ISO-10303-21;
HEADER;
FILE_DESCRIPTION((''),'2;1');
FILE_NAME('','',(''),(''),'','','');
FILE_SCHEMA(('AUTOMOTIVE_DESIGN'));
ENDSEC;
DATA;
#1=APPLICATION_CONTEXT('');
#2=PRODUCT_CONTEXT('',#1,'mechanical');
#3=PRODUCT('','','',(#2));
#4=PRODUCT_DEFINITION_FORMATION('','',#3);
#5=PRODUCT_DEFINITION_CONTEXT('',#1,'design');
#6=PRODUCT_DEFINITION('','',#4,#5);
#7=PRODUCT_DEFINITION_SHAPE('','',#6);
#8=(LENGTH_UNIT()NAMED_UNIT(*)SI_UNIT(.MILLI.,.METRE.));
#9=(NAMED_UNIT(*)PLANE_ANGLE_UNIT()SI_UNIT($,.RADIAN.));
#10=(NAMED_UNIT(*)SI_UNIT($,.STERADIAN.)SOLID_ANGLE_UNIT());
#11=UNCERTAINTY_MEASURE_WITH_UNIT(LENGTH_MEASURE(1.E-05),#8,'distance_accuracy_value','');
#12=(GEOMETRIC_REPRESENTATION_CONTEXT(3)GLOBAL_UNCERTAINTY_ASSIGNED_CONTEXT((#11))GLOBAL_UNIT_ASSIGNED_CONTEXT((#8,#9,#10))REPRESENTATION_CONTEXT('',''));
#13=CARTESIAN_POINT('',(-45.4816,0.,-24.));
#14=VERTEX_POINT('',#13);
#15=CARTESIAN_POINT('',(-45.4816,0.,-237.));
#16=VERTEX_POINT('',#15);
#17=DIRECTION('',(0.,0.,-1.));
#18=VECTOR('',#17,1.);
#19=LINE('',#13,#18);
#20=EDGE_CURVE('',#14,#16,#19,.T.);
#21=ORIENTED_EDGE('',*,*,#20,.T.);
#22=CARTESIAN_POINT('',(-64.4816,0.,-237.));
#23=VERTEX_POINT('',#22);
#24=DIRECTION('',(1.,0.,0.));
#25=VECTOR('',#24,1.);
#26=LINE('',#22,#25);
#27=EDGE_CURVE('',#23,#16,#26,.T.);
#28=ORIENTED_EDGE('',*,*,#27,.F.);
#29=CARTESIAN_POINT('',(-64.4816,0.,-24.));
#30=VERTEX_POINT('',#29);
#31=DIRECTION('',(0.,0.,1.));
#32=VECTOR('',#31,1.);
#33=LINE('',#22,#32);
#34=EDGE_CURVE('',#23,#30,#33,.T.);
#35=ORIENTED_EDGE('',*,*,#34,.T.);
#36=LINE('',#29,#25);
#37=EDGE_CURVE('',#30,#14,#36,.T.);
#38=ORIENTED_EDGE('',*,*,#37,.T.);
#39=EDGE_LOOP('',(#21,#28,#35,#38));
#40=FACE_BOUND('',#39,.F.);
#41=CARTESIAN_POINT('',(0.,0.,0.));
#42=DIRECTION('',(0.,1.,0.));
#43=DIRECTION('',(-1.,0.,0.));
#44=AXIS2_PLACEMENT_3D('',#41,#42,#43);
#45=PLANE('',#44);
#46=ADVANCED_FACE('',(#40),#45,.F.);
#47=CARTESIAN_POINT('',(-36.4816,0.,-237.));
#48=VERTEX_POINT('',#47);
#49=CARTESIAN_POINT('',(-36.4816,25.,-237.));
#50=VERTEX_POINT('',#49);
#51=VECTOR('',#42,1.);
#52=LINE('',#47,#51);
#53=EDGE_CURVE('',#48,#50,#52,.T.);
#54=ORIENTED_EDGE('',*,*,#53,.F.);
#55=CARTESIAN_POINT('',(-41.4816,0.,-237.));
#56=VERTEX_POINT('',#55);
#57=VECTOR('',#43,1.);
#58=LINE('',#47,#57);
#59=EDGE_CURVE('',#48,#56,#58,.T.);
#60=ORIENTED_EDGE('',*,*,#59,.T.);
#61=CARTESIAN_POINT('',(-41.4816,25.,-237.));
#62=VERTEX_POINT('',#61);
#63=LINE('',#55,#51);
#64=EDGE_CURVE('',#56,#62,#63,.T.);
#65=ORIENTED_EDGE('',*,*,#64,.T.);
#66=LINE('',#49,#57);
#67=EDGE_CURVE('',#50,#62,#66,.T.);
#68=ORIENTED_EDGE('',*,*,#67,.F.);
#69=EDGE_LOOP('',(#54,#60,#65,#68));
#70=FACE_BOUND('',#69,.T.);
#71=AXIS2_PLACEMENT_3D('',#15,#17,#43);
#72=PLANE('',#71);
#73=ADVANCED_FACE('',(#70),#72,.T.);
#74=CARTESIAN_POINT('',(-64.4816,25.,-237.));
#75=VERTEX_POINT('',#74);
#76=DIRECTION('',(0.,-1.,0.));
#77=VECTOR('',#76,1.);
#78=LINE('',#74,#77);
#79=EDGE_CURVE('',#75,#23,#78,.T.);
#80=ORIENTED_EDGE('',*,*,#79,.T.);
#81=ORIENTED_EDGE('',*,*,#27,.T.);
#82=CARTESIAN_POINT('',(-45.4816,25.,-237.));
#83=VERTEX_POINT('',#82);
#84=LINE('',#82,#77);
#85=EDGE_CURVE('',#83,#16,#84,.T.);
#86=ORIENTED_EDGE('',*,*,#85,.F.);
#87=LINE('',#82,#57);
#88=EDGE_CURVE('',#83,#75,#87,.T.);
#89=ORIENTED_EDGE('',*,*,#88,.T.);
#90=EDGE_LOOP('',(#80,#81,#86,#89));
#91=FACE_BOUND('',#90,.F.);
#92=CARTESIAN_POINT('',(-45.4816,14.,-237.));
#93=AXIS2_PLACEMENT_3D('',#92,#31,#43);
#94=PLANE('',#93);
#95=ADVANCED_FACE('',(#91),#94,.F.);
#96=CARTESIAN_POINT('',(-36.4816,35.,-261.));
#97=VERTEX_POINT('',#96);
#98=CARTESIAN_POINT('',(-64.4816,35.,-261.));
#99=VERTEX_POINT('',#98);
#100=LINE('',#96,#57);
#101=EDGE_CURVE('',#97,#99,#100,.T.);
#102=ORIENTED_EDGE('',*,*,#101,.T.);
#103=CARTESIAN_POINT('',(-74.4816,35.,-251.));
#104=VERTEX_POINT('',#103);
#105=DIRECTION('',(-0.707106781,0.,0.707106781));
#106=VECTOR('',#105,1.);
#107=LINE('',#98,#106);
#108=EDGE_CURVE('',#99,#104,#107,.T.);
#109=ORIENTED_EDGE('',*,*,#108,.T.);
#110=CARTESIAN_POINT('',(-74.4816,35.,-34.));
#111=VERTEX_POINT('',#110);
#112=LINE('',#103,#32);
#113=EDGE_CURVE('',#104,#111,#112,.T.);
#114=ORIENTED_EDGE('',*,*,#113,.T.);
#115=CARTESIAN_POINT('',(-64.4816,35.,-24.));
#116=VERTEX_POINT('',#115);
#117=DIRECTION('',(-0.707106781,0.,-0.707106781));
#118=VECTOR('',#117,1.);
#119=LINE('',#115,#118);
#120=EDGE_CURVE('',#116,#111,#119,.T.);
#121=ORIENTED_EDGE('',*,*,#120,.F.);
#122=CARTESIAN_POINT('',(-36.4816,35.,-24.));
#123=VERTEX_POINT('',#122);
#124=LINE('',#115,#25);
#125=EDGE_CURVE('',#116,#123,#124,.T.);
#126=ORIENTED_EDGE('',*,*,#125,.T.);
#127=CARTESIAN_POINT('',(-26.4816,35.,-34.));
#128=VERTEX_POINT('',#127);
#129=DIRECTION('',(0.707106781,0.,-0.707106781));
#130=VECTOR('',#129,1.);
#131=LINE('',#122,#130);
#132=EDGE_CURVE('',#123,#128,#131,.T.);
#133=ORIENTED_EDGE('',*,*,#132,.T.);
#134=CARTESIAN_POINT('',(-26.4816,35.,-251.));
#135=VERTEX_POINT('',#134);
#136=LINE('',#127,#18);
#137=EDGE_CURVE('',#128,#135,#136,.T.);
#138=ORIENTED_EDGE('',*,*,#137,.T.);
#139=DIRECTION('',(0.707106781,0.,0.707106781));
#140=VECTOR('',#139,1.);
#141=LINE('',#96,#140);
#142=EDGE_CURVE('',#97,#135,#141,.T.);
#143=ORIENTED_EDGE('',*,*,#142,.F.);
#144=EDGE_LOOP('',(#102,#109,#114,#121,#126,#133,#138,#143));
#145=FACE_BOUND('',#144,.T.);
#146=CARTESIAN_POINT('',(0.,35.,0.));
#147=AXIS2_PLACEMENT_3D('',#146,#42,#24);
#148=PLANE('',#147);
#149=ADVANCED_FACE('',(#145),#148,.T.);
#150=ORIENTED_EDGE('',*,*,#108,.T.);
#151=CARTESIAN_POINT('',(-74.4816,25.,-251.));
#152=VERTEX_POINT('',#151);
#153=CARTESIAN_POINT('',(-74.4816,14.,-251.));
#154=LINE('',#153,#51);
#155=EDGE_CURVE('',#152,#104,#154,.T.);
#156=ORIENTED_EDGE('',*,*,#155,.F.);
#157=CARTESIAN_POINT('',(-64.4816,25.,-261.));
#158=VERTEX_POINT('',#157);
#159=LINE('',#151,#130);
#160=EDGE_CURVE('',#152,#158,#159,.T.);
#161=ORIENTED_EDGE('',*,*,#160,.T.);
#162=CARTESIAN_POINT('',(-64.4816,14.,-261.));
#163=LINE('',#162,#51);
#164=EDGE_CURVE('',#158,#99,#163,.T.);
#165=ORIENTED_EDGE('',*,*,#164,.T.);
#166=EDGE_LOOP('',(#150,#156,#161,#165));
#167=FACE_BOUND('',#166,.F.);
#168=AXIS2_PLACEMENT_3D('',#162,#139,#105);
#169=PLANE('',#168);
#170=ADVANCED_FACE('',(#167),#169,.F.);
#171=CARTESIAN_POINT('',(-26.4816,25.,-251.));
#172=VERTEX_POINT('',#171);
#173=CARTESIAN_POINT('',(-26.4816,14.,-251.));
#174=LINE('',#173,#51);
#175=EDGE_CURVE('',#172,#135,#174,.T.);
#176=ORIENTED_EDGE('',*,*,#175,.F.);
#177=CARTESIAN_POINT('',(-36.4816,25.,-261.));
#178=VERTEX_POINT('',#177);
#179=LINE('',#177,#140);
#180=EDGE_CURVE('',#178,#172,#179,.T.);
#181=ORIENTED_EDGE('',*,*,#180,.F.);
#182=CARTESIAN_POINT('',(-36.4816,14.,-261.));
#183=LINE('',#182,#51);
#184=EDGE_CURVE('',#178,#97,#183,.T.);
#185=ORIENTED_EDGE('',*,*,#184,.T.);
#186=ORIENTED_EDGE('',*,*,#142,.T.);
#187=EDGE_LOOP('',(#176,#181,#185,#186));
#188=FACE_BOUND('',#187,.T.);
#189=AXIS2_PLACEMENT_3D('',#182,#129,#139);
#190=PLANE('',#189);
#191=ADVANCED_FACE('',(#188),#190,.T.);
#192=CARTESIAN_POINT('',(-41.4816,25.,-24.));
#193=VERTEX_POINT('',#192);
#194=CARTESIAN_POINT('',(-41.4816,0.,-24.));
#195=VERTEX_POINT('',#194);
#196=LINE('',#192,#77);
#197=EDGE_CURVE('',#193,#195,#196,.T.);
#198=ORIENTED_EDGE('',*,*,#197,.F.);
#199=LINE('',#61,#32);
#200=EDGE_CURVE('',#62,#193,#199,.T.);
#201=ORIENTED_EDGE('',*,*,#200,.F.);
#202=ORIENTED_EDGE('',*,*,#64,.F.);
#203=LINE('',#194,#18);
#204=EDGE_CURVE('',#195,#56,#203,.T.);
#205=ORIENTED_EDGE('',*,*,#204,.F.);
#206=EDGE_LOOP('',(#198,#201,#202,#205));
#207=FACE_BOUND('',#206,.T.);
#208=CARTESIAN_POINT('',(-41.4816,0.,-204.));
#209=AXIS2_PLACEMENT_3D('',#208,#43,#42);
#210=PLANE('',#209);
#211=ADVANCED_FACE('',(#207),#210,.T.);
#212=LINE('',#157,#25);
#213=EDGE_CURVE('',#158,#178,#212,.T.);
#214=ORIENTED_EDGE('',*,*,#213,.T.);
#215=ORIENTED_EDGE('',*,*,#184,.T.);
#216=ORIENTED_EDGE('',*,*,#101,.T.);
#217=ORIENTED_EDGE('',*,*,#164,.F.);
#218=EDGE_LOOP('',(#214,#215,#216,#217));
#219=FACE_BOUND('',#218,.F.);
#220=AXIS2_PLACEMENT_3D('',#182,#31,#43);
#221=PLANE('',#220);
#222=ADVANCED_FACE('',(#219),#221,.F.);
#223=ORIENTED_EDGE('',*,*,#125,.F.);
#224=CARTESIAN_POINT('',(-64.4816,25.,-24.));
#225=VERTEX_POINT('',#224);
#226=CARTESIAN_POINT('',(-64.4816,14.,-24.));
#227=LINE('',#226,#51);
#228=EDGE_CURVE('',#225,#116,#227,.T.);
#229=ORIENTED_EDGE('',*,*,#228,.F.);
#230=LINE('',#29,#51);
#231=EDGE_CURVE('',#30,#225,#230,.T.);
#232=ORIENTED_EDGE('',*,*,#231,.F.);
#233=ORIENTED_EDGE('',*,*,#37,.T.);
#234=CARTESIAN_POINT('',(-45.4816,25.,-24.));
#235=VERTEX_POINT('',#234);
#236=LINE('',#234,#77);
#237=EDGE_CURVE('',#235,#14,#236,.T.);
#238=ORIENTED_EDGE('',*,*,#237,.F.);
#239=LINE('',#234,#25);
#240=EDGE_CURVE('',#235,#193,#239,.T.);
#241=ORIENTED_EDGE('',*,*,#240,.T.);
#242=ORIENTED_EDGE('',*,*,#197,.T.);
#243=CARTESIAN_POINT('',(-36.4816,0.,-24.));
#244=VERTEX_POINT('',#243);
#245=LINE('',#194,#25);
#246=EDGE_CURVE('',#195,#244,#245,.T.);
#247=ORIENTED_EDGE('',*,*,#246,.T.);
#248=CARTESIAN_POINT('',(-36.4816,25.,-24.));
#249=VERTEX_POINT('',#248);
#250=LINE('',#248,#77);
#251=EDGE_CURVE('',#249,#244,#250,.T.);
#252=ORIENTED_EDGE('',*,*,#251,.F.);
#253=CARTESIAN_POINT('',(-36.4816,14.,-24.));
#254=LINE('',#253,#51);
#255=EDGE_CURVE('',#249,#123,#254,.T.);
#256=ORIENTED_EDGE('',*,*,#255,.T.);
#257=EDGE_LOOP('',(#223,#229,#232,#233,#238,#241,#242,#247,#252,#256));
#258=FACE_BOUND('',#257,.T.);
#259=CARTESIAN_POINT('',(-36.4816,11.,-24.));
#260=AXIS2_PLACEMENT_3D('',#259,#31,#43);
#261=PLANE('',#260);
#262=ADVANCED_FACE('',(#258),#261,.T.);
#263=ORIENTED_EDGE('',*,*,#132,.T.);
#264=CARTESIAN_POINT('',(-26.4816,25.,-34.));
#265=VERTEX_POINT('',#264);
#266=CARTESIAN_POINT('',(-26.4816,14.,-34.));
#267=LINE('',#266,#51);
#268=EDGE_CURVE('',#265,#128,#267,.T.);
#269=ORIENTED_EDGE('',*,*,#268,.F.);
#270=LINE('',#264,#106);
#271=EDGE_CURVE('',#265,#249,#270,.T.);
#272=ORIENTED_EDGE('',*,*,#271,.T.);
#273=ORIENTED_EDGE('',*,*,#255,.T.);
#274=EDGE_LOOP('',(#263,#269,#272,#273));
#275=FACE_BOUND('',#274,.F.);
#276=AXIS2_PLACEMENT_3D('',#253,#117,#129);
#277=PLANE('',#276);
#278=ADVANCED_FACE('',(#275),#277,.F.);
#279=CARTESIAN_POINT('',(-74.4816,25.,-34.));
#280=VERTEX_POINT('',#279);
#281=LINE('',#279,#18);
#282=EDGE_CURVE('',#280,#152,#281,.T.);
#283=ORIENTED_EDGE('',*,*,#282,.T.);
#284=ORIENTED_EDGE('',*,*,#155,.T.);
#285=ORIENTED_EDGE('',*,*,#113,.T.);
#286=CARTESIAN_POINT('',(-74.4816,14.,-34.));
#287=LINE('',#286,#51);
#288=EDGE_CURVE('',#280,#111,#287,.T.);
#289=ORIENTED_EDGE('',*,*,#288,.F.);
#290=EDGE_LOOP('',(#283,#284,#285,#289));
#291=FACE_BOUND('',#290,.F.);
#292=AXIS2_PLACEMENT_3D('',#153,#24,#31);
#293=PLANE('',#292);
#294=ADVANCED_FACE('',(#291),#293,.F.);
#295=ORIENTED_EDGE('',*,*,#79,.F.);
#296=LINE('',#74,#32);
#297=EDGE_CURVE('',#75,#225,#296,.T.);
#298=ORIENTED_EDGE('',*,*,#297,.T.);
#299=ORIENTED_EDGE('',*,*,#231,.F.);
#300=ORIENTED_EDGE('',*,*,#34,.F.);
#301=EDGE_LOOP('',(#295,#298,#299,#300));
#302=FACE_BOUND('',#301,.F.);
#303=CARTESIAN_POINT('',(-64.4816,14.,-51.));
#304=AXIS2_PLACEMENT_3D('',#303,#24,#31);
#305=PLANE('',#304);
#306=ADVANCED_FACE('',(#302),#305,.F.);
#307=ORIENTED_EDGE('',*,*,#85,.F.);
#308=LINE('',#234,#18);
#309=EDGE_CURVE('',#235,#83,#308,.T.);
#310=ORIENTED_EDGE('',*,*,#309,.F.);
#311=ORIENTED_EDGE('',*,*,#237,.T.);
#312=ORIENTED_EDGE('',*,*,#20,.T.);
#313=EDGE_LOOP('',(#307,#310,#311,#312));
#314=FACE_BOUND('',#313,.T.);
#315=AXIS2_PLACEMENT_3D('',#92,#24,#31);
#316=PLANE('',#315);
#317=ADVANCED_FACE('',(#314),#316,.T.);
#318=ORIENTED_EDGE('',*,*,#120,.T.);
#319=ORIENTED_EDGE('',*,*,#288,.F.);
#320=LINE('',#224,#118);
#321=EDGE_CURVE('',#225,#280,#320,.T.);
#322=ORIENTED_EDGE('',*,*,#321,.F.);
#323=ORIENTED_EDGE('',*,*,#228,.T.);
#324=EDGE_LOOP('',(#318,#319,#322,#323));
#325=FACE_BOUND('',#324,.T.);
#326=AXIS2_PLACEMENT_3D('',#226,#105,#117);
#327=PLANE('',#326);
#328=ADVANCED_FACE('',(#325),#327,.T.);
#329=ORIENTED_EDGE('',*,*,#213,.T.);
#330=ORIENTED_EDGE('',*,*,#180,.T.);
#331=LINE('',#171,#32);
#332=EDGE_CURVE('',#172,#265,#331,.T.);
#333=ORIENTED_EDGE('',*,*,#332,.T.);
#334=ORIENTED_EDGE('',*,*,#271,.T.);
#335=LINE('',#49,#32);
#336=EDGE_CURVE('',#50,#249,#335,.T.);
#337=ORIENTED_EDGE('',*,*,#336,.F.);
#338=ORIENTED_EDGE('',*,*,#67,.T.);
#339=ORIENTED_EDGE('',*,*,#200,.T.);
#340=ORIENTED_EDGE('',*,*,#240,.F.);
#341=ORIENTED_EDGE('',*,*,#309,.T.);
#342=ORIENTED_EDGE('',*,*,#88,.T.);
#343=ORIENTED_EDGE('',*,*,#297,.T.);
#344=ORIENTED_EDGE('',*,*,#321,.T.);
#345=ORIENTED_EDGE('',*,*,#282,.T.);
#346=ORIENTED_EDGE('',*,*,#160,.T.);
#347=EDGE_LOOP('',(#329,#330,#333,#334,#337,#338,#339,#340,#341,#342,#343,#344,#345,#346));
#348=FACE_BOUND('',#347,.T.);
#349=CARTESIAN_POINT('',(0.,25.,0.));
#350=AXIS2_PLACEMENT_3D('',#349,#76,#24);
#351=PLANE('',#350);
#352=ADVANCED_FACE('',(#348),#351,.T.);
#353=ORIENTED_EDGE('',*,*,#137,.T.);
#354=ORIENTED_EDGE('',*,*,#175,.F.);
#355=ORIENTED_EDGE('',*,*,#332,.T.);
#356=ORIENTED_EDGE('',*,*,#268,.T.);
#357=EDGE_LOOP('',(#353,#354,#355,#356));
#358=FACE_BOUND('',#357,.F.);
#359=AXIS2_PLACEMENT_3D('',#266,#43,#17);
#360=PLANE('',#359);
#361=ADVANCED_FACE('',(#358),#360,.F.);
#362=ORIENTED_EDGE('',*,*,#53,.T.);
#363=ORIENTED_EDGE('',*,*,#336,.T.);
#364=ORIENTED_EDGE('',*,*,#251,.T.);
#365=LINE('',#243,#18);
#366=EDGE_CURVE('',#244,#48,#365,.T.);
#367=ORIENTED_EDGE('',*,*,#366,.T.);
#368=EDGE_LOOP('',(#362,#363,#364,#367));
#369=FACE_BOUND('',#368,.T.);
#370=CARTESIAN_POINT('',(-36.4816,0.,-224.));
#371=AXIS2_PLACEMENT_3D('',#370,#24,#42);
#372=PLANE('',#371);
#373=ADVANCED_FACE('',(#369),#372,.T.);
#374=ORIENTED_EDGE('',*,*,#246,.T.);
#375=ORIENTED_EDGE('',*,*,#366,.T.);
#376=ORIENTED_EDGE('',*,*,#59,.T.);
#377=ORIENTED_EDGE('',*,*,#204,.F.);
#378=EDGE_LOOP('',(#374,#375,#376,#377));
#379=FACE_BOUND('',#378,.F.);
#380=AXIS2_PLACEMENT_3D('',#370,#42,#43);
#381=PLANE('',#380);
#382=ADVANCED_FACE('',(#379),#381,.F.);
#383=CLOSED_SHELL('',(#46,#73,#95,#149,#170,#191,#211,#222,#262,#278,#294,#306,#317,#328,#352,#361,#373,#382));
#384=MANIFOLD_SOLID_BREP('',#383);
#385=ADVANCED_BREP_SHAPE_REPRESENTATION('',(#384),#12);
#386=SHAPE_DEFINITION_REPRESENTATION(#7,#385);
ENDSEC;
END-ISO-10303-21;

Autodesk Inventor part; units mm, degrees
ref_plane "YZ Plane" through (0, 0, 0) normal (1, 0, 0) x (0, 1, 0)
ref_plane "XZ Plane" through (0, 0, 0) normal (0, 1, 0) x (-1, 0, 0)
ref_plane "XY Plane" through (0, 0, 0) normal (0, 0, 1) x (1, 0, 0)
sketch "Sketch1" plane through (0, 0, 0) normal (0, 1, 0) x (-1, 0, 0)
  line L0 (45.4816, -24) -> (64.4816, -24)
  line L1 (64.4816, -224) -> (45.4816, -224)
  line L2 (64.4816, -24) -> (52.9072, -24)
  line L3 (45.4816, -51) -> (64.4816, -51)
  line L4 (64.4816, -50.2724) -> (64.4816, -24)
  line L5 (64.4816, -69) -> (45.4816, -69)
  line L6 (45.4816, -51) -> (45.4816, -24)
  line L7 (64.4816, -24) -> (64.4816, -51)
  line L8 (64.4816, -154) -> (45.4816, -154)
  line L9 (64.4816, -204) -> (45.4816, -204)
  line L10 (45.4816, -224) -> (45.4816, -204)
  line L11 (45.4816, -154) -> (45.4816, -69)
  line L12 (64.4816, -69) -> (64.4816, -154)
  line L13 (64.4816, -204) -> (64.4816, -224)
  line L14 (41.4816, -24) -> (36.4816, -24)
  line L15 (36.4816, -24) -> (36.4816, -224)
  line L16 (36.4816, -224) -> (41.4816, -224)
  line L17 (41.4816, -224) -> (41.4816, -24)
  point P0 (0, 0)
  dimension "d0" = 200
  dimension "d1" = 19
  dimension "d7" = 27
  dimension "d9" = 45
  dimension "d11" = 85
  dimension "d12" = 20
  dimension "d13" = 4
  dimension "d14" = 19
  dimension "d15" = 5
extrude "Extrusion2" add sketch "Sketch1" along normal blind 11
sketch "Sketch2" plane through (0, 11, 0) normal (0, 1, 0) x (1, 0, 0)
  line L0 (-64.4816, 224) -> (-36.4816, 224)
  line L1 (-36.4816, 224) -> (-36.4816, 24)
  line L2 (-36.4816, 24) -> (-64.4816, 24)
  line L3 (-64.4816, 24) -> (-64.4816, 224)
  point P0 (0, 0)
extrude "Extrusion3" add sketch "Sketch2" along normal blind 3
sketch "Sketch3" plane through (0, 0, 0) normal (0, -1, 0) x (1, 0, 0)
  line L0 (-19.3539, -51.0239) -> (-76.8291, -51.0239)
  line L1 (-76.8291, -51.0239) -> (-76.8291, -110.8451)
  line L2 (-76.8291, -110.8451) -> (-19.3539, -110.8451)
  line L3 (-19.3539, -110.8451) -> (-19.3539, -51.0239)
  line L4 (-25.2187, -135.4773) -> (-86.9948, -135.4773)
  line L5 (-86.9948, -135.4773) -> (-86.9948, -203.9002)
  line L6 (-86.9948, -203.9002) -> (-25.2187, -203.9002)
  line L7 (-25.2187, -203.9002) -> (-25.2187, -135.4773)
  point P0 (0, 0)
extrude "Extrusion4" cut sketch "Sketch3" against normal up to surface (11 mm away)
sketch "Sketch4" plane through (0, 14, 0) normal (0, 1, 0) x (1, 0, 0)
  line L0 (-64.4816, 24) -> (-36.4816, 24)
  line L1 (-26.4816, 34) -> (-26.4816, 251)
  line L2 (-36.4816, 261) -> (-64.4816, 261)
  line L3 (-74.4816, 251) -> (-74.4816, 34)
  line L4 (-64.4816, 224) -> (-64.4816, 24) projected
  line L5 (-36.4816, 24) -> (-36.4816, 224) projected
  line L6 (-36.4816, 224) -> (-64.4816, 224) projected
  line L7 (-64.4816, 24) -> (-74.4816, 34)
  line L8 (-36.4816, 24) -> (-26.4816, 34)
  line L9 (-64.4816, 261) -> (-74.4816, 251)
  line L10 (-36.4816, 261) -> (-26.4816, 251)
  point P0 (0, 0)
  point P1 (-74.4816, 24)
  point P2 (-26.4816, 261)
  point P3 (-26.4816, 24)
  point P4 (-74.4816, 261)
  dimension "d22" = 10
  dimension "d23" = 10
  dimension "d24" = 37
  dimension "d31" = 10
  dimension "d32" = 10
  dimension "d33" = 10
  dimension "d34" = 10
  dimension "d35" = 10
  dimension "d36" = 10
  dimension "d37" = 10
  dimension "d38" = 10
extrude "Extrusion5" add sketch "Sketch4" along normal blind 21
sketch "Sketch5" plane through (-45.4816, 0, -224) normal (0, 0, -1) x (-1, 0, 0)
  line L0 (-9, 0) -> (-4, 0) projected
  line L1 (-4, 0) -> (-4, 11) projected
  line L2 (0, 11) -> (-4, 11) projected
  line L3 (0, 0) -> (0, 11) projected
  line L4 (19, 0) -> (0, 0) projected
  line L5 (19, 0) -> (19, 14) projected
  line L6 (-9, 14) -> (19, 14) projected
  line L7 (-9, 0) -> (-9, 14) projected
  point P0 (-45.4816, 0)
extrude "Extrusion6" add sketch "Sketch5" along normal blind 13
sketch "Sketch6" plane through (0, 11, 0) normal (0, -1, 0) x (1, 0, 0)
  line L0 (-41.4816, -51.0239) -> (-41.4816, -24) projected
  line L1 (-41.4816, -24) -> (-45.4816, -24) projected
  line L2 (-45.4816, -24) -> (-45.4816, -51) projected
  line L3 (-45.4816, -51) -> (-64.4816, -51) projected
  line L4 (-64.4816, -110.8451) -> (-64.4816, -51) projected
  line L5 (-64.4816, -110.8451) -> (-45.4816, -110.8451) projected
  line L6 (-45.4816, -110.8451) -> (-45.4816, -135.4773) projected
  line L7 (-45.4816, -135.4773) -> (-64.4816, -135.4773) projected
  line L8 (-64.4816, -204) -> (-64.4816, -135.4773) projected
  line L9 (-64.4816, -204) -> (-45.4816, -204) projected
  line L10 (-45.4816, -204) -> (-45.4816, -237) projected
  line L11 (-41.4816, -237) -> (-45.4816, -237) projected
  line L12 (-41.4816, -203.9002) -> (-41.4816, -237) projected
  line L13 (-41.4816, -203.9002) -> (-36.4816, -203.9002) projected
  line L14 (-36.4816, -135.4773) -> (-36.4816, -203.9002) projected
  line L15 (-36.4816, -135.4773) -> (-41.4816, -135.4773) projected
  line L16 (-41.4816, -135.4773) -> (-41.4816, -110.8451) projected
  line L17 (-41.4816, -110.8451) -> (-36.4816, -110.8451) projected
  line L18 (-36.4816, -51.0239) -> (-36.4816, -110.8451) projected
  line L19 (-36.4816, -51.0239) -> (-41.4816, -51.0239) projected
  point P0 (0, 0)
extrude "Extrusion7" cut sketch "Sketch6" against normal up to surface (3 mm away)
sketch "Sketch7" plane through (0, 14, 0) normal (0, -1, 0) x (1, 0, 0)
  line L0 (-36.4816, -110.8451) -> (-36.4816, -135.4773) projected
  line L1 (-41.4816, -135.4773) -> (-36.4816, -135.4773) projected
  line L2 (-41.4816, -110.8451) -> (-41.4816, -135.4773) projected
  line L3 (-36.4816, -110.8451) -> (-41.4816, -110.8451) projected
  line L4 (-41.4816, -51.0239) -> (-36.4816, -51.0239) projected
  line L5 (-41.4816, -24) -> (-41.4816, -51.0239) projected
  line L6 (-45.4816, -24) -> (-41.4816, -24) projected
  line L7 (-45.4816, -51) -> (-45.4816, -24) projected
  line L8 (-64.4816, -51) -> (-45.4816, -51) projected
  line L9 (-64.4816, -51) -> (-64.4816, -24) projected
  line L10 (-64.4816, -24) -> (-74.4816, -34) projected
  line L11 (-74.4816, -34) -> (-74.4816, -251) projected
  line L12 (-74.4816, -251) -> (-64.4816, -261) projected
  line L13 (-64.4816, -261) -> (-36.4816, -261) projected
  line L14 (-36.4816, -261) -> (-26.4816, -251) projected
  line L15 (-26.4816, -251) -> (-26.4816, -34) projected
  line L16 (-26.4816, -34) -> (-36.4816, -24) projected
  line L17 (-36.4816, -24) -> (-36.4816, -51.0239) projected
  line L18 (-36.4816, -203.9002) -> (-36.4816, -237) projected
  line L19 (-36.4816, -237) -> (-41.4816, -237) projected
  line L20 (-41.4816, -203.9002) -> (-41.4816, -237) projected
  line L21 (-36.4816, -203.9002) -> (-41.4816, -203.9002) projected
  line L22 (-45.4816, -110.8451) -> (-64.4816, -110.8451) projected
  line L23 (-45.4816, -135.4773) -> (-45.4816, -110.8451) projected
  line L24 (-64.4816, -135.4773) -> (-45.4816, -135.4773) projected
  line L25 (-64.4816, -135.4773) -> (-64.4816, -110.8451) projected
  line L26 (-45.4816, -204) -> (-64.4816, -204) projected
  line L27 (-45.4816, -237) -> (-45.4816, -204) projected
  line L28 (-45.4816, -237) -> (-64.4816, -237) projected
  line L29 (-64.4816, -237) -> (-64.4816, -204) projected
  point P0 (0, 0)
extrude "Extrusion8" cut sketch "Sketch7" against normal blind 11
sketch "Sketch8" plane through (-64.4816, 0, -204) normal (0, 0, 1) x (1, 0, 0)
  line L0 (0, 0) -> (0, 25) projected
  line L1 (19, 0) -> (0, 0) projected
  line L2 (19, 0) -> (19, 25) projected
  line L3 (19, 25) -> (0, 25) projected
  line L4 (0, 0) -> (0, 25) projected
  line L5 (23, 0) -> (23, 25) projected
  line L6 (28, 0) -> (23, 0) projected
  line L7 (28, 25) -> (28, 0) projected
  line L8 (28, 25) -> (23, 25) projected
  point P0 (64.4816, 0)
extrude "Extrusion9" add sketch "Sketch8" along normal up to surface (180 mm away)
equation "\"d32\" = d31"
equation "\"d33\" = d31"
equation "\"d34\" = d33"
equation "\"d36\" = d35"
equation "\"d38\" = d37"
properties part number "cut platform"
